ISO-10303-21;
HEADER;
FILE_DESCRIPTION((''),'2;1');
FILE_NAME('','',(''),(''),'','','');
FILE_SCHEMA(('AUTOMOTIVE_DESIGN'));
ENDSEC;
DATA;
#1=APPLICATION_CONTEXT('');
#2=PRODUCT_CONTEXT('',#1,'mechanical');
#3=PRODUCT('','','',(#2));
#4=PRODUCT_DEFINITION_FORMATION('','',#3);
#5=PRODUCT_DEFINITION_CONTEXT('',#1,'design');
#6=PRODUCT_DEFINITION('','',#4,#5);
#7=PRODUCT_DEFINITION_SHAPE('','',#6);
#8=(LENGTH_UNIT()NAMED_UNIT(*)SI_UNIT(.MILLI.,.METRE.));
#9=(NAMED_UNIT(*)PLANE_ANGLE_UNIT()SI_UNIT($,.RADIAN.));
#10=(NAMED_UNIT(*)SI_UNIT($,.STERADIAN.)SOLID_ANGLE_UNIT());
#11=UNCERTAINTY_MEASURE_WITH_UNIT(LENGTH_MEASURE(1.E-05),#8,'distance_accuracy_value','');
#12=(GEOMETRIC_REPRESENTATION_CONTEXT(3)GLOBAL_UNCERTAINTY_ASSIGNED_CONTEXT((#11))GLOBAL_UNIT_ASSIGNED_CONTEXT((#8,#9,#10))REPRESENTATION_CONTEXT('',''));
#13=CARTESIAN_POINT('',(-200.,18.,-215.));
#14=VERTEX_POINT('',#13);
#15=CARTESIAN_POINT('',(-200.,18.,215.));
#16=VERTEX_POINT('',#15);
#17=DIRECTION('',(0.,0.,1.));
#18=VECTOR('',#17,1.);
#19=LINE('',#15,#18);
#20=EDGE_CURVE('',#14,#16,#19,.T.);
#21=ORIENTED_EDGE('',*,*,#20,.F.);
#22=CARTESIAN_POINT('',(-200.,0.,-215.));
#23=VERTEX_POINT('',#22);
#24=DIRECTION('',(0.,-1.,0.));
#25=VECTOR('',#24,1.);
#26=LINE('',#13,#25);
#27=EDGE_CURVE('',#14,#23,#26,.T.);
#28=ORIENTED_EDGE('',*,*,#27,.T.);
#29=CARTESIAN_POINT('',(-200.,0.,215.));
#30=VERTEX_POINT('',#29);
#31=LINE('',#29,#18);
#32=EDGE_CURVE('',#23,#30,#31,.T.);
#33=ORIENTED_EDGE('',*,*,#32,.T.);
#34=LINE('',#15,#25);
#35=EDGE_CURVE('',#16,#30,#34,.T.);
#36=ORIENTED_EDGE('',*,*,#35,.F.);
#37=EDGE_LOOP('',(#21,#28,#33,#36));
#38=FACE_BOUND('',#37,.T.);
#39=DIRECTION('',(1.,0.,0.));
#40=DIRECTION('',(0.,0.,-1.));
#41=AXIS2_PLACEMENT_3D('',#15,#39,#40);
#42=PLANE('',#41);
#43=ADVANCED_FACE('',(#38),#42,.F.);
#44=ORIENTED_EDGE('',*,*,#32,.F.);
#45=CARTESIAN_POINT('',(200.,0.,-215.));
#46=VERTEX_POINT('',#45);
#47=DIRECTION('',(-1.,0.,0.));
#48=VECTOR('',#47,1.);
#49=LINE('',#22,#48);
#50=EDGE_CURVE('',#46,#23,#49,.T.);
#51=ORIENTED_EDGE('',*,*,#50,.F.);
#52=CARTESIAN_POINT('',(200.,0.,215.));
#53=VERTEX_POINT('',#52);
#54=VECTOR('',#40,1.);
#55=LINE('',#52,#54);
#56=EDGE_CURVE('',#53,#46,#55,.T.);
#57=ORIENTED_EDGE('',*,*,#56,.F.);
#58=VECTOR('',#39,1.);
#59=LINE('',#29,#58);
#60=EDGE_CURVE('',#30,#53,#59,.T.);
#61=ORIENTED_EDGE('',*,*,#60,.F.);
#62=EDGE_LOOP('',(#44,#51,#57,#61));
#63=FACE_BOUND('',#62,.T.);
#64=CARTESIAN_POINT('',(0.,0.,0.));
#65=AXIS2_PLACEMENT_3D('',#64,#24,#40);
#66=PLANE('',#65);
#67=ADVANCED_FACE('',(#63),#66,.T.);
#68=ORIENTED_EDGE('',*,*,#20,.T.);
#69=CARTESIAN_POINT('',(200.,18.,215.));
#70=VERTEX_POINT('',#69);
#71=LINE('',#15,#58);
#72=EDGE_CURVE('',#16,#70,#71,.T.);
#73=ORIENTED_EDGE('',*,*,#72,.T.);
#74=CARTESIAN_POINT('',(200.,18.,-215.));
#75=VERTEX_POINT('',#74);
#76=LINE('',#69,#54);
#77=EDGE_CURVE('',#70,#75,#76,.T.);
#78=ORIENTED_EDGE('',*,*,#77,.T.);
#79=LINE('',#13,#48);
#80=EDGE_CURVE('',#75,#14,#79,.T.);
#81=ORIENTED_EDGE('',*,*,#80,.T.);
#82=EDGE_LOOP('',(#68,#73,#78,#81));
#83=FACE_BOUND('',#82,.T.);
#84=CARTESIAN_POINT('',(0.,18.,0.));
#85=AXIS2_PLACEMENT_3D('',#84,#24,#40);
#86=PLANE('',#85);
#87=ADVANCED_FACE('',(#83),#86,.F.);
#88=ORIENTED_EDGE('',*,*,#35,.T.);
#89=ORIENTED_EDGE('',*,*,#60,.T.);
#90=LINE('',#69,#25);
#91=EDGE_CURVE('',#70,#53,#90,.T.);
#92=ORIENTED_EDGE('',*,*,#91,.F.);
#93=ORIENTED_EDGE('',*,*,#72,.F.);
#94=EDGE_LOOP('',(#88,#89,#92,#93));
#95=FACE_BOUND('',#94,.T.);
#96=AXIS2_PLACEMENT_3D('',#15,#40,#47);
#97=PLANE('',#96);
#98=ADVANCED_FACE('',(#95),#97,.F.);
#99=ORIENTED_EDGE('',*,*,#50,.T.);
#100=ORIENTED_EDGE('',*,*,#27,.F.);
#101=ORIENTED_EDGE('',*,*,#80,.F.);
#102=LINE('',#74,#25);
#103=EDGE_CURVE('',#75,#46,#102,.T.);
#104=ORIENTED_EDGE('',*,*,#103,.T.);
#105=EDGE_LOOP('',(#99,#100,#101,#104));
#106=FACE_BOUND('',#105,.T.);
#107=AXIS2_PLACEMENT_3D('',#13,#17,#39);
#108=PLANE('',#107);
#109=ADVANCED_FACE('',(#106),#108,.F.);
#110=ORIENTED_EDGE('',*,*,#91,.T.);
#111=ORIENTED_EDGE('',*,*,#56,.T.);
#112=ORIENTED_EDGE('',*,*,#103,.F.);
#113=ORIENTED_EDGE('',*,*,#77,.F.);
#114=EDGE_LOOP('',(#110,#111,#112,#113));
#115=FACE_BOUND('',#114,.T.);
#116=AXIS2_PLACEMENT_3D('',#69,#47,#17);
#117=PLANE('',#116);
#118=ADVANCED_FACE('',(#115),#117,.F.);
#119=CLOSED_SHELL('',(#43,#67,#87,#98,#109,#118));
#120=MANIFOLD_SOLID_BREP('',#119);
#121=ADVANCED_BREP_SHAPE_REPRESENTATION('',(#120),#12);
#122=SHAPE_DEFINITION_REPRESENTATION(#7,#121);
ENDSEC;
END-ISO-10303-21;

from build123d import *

# Parameters (mm, degrees)
SKDOBSONBASEINFERIOR_W   = 400
SKDOBSONBASEINFERIOR_H   = 430
DOBSONBASEINFERIOR_DEPTH = 18


with BuildPart() as part:
    # SkDobsonBaseInferior → DobsonBaseInferior (new body)
    with BuildSketch(Plane(origin=(0, 0, 0), x_dir=(1, 0, 0), z_dir=(0, 1, 0))):
        Rectangle(SKDOBSONBASEINFERIOR_W, SKDOBSONBASEINFERIOR_H)
    extrude(amount=DOBSONBASEINFERIOR_DEPTH)


solid = part.part
